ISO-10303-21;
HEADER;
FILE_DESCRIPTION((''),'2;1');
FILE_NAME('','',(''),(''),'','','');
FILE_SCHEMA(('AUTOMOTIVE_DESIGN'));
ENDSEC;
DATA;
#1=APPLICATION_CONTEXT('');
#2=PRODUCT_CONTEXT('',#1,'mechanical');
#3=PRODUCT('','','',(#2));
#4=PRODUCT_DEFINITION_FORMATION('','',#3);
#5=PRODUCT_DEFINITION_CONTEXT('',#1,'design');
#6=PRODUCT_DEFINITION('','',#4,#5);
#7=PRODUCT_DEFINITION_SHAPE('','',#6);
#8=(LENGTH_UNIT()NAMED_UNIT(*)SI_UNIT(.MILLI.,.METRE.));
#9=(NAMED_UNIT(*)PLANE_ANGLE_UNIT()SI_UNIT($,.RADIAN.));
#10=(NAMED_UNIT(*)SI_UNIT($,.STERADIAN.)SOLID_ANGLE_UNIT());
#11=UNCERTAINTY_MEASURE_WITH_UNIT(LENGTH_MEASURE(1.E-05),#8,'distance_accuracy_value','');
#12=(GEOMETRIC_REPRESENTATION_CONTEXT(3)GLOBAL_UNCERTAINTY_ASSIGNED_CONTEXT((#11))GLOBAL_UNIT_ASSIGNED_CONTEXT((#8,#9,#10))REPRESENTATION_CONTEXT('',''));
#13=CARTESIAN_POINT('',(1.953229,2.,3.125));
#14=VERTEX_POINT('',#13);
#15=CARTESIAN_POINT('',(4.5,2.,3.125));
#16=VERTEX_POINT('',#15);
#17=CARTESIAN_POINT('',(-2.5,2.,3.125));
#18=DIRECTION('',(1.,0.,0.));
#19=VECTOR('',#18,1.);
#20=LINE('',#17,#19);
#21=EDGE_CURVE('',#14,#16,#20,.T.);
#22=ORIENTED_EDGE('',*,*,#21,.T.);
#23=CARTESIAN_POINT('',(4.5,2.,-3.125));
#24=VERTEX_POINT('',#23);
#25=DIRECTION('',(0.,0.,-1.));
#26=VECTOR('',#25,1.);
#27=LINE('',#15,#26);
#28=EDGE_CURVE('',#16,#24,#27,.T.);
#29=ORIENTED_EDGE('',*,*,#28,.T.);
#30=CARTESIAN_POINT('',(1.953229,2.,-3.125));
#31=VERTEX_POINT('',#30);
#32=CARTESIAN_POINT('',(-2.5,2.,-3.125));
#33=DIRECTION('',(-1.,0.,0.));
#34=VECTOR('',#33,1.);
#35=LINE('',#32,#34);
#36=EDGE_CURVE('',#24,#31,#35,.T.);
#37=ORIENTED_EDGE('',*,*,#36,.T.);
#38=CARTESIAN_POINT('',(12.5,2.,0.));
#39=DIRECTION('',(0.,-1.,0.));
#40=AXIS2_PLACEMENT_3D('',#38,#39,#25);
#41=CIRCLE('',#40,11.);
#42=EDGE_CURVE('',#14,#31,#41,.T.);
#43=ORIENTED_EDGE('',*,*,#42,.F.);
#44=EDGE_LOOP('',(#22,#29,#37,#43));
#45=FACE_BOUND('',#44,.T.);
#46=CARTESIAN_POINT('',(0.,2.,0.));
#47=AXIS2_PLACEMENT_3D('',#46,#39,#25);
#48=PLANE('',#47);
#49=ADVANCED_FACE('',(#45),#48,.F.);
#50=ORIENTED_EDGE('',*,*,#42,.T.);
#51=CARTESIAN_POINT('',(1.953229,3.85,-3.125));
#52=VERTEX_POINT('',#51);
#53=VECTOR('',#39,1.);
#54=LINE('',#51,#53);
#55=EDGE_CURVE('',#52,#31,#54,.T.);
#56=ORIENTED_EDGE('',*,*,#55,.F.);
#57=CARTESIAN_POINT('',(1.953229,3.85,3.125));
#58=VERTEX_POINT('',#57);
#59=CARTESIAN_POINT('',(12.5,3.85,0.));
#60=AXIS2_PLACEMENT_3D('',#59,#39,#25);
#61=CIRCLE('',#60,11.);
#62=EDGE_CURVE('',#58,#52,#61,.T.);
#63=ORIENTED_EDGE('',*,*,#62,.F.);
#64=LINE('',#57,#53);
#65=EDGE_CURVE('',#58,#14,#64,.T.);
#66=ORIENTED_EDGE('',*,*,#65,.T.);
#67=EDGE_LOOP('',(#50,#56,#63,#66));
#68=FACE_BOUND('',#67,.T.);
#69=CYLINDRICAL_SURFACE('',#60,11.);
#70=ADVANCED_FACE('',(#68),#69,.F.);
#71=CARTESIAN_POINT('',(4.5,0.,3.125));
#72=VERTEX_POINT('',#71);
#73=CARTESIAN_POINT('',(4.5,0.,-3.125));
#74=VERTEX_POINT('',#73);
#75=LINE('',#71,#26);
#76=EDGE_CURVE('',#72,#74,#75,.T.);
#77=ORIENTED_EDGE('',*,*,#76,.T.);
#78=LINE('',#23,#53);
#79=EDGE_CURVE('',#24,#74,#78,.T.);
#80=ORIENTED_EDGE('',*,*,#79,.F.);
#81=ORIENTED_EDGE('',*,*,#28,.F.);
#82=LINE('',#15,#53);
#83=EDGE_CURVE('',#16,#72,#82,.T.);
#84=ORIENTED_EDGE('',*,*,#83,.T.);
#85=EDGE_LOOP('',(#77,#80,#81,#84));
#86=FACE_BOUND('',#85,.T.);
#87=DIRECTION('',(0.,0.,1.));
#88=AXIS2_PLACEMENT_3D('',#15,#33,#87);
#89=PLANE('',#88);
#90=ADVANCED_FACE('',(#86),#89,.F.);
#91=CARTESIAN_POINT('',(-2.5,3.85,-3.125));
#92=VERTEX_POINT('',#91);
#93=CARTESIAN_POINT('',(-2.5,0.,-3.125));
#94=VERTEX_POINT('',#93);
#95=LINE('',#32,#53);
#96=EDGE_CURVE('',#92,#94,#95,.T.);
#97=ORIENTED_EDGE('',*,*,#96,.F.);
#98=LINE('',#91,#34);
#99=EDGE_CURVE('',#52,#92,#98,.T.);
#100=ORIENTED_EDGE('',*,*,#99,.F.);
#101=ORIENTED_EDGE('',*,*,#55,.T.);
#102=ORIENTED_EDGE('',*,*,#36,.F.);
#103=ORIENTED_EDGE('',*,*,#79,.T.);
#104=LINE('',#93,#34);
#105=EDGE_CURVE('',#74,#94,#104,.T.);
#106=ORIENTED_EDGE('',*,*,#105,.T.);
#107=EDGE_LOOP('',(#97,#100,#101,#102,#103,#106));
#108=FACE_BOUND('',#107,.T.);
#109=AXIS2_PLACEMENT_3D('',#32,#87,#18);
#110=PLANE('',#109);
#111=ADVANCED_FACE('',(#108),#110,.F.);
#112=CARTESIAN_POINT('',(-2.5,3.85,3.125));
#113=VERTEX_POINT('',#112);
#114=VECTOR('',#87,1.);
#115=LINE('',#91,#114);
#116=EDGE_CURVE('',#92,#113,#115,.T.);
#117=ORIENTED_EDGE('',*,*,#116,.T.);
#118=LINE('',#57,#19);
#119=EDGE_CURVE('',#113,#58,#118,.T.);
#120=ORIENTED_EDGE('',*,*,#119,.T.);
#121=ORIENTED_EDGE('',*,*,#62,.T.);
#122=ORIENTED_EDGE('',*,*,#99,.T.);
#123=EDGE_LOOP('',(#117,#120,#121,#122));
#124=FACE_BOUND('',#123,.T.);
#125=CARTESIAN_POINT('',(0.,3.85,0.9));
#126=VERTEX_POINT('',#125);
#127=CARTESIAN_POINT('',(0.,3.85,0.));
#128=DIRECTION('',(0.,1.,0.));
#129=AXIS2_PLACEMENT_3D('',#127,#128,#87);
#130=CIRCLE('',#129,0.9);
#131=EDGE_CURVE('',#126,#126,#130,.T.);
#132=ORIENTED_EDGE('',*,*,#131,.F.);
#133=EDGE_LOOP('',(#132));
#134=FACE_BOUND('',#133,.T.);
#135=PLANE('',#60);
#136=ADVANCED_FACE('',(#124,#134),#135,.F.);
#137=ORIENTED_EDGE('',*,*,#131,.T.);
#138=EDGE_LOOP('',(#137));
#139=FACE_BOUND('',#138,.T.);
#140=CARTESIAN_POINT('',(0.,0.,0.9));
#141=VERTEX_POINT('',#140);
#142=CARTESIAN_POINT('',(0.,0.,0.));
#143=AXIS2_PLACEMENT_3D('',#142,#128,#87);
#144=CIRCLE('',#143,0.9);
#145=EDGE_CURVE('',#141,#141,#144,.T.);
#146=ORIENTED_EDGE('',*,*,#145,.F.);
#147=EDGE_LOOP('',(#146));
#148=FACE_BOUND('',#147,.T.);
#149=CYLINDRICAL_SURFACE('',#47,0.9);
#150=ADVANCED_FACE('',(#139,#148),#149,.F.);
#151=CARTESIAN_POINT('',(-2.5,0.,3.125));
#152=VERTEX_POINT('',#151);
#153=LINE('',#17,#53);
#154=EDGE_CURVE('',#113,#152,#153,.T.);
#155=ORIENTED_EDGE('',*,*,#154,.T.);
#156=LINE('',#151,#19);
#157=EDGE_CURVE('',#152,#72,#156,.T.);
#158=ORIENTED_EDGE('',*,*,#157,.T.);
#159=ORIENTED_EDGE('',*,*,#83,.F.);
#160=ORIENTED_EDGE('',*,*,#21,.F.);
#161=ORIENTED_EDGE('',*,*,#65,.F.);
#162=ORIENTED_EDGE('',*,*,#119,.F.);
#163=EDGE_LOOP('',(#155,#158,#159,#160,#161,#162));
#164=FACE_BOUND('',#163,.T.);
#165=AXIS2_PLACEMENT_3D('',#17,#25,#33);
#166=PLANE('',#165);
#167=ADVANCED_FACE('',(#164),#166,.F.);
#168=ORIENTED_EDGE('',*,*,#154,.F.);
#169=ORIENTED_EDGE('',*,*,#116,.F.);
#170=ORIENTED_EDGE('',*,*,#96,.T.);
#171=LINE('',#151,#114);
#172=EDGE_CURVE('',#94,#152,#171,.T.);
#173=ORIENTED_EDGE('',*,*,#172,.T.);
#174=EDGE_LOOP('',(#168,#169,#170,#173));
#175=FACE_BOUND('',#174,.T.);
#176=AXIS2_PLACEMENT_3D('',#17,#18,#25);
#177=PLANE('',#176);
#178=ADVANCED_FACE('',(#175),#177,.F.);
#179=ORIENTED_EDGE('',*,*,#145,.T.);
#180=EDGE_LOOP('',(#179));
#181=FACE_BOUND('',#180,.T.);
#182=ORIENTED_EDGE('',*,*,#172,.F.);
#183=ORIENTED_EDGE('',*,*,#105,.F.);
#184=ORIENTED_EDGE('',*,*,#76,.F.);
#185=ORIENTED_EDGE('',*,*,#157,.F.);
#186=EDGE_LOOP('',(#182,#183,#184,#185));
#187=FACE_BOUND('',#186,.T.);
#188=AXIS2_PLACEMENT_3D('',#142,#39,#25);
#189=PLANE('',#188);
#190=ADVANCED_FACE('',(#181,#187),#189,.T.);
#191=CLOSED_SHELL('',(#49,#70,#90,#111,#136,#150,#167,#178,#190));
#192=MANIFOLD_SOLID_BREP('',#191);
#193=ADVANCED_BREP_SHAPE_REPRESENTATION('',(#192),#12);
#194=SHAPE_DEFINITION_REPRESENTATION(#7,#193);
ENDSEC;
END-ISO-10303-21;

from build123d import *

# Parameters (mm, degrees)
SKETCH3_W           = 7
SKETCH3_H           = 6.25
SKETCH3_R           = 0.9
BOSS_EXTRUDE1_DEPTH = 2
SKETCH6_R           = 0.9
BOSS_EXTRUDE3_DEPTH = 1.85


with BuildPart() as part:
    # Sketch3 → Boss-Extrude1 (new body)
    with BuildSketch(Plane(origin=(0, 0, 0), x_dir=(1, 0, 0), z_dir=(0, 1, 0))):
        with Locations((1, 0)):
            Rectangle(SKETCH3_W, SKETCH3_H)
        with Locations(Location((0, 0, 0), (0, 0, 270))):
            Circle(SKETCH3_R, mode=Mode.SUBTRACT)
    extrude(amount=BOSS_EXTRUDE1_DEPTH)

    # Sketch6 → Boss-Extrude3 (add)
    with BuildSketch(Plane(origin=(0, 2, 0), x_dir=(1, 0, 0), z_dir=(0, 1, 0))):
        with BuildLine():
            Line((-2.5, 3.125), (-2.5, -3.125))
            Line((-2.5, -3.125), (1.953229167, -3.125))
            ThreePointArc((1.953229167, -3.125), (1.5, 0), (1.953229167, 3.125))
            Line((1.953229167, 3.125), (-2.5, 3.125))
        make_face()
        with Locations(Location((0, 0, 0), (0, 0, 270))):
            Circle(SKETCH6_R, mode=Mode.SUBTRACT)
    extrude(amount=BOSS_EXTRUDE3_DEPTH)


solid = part.part
